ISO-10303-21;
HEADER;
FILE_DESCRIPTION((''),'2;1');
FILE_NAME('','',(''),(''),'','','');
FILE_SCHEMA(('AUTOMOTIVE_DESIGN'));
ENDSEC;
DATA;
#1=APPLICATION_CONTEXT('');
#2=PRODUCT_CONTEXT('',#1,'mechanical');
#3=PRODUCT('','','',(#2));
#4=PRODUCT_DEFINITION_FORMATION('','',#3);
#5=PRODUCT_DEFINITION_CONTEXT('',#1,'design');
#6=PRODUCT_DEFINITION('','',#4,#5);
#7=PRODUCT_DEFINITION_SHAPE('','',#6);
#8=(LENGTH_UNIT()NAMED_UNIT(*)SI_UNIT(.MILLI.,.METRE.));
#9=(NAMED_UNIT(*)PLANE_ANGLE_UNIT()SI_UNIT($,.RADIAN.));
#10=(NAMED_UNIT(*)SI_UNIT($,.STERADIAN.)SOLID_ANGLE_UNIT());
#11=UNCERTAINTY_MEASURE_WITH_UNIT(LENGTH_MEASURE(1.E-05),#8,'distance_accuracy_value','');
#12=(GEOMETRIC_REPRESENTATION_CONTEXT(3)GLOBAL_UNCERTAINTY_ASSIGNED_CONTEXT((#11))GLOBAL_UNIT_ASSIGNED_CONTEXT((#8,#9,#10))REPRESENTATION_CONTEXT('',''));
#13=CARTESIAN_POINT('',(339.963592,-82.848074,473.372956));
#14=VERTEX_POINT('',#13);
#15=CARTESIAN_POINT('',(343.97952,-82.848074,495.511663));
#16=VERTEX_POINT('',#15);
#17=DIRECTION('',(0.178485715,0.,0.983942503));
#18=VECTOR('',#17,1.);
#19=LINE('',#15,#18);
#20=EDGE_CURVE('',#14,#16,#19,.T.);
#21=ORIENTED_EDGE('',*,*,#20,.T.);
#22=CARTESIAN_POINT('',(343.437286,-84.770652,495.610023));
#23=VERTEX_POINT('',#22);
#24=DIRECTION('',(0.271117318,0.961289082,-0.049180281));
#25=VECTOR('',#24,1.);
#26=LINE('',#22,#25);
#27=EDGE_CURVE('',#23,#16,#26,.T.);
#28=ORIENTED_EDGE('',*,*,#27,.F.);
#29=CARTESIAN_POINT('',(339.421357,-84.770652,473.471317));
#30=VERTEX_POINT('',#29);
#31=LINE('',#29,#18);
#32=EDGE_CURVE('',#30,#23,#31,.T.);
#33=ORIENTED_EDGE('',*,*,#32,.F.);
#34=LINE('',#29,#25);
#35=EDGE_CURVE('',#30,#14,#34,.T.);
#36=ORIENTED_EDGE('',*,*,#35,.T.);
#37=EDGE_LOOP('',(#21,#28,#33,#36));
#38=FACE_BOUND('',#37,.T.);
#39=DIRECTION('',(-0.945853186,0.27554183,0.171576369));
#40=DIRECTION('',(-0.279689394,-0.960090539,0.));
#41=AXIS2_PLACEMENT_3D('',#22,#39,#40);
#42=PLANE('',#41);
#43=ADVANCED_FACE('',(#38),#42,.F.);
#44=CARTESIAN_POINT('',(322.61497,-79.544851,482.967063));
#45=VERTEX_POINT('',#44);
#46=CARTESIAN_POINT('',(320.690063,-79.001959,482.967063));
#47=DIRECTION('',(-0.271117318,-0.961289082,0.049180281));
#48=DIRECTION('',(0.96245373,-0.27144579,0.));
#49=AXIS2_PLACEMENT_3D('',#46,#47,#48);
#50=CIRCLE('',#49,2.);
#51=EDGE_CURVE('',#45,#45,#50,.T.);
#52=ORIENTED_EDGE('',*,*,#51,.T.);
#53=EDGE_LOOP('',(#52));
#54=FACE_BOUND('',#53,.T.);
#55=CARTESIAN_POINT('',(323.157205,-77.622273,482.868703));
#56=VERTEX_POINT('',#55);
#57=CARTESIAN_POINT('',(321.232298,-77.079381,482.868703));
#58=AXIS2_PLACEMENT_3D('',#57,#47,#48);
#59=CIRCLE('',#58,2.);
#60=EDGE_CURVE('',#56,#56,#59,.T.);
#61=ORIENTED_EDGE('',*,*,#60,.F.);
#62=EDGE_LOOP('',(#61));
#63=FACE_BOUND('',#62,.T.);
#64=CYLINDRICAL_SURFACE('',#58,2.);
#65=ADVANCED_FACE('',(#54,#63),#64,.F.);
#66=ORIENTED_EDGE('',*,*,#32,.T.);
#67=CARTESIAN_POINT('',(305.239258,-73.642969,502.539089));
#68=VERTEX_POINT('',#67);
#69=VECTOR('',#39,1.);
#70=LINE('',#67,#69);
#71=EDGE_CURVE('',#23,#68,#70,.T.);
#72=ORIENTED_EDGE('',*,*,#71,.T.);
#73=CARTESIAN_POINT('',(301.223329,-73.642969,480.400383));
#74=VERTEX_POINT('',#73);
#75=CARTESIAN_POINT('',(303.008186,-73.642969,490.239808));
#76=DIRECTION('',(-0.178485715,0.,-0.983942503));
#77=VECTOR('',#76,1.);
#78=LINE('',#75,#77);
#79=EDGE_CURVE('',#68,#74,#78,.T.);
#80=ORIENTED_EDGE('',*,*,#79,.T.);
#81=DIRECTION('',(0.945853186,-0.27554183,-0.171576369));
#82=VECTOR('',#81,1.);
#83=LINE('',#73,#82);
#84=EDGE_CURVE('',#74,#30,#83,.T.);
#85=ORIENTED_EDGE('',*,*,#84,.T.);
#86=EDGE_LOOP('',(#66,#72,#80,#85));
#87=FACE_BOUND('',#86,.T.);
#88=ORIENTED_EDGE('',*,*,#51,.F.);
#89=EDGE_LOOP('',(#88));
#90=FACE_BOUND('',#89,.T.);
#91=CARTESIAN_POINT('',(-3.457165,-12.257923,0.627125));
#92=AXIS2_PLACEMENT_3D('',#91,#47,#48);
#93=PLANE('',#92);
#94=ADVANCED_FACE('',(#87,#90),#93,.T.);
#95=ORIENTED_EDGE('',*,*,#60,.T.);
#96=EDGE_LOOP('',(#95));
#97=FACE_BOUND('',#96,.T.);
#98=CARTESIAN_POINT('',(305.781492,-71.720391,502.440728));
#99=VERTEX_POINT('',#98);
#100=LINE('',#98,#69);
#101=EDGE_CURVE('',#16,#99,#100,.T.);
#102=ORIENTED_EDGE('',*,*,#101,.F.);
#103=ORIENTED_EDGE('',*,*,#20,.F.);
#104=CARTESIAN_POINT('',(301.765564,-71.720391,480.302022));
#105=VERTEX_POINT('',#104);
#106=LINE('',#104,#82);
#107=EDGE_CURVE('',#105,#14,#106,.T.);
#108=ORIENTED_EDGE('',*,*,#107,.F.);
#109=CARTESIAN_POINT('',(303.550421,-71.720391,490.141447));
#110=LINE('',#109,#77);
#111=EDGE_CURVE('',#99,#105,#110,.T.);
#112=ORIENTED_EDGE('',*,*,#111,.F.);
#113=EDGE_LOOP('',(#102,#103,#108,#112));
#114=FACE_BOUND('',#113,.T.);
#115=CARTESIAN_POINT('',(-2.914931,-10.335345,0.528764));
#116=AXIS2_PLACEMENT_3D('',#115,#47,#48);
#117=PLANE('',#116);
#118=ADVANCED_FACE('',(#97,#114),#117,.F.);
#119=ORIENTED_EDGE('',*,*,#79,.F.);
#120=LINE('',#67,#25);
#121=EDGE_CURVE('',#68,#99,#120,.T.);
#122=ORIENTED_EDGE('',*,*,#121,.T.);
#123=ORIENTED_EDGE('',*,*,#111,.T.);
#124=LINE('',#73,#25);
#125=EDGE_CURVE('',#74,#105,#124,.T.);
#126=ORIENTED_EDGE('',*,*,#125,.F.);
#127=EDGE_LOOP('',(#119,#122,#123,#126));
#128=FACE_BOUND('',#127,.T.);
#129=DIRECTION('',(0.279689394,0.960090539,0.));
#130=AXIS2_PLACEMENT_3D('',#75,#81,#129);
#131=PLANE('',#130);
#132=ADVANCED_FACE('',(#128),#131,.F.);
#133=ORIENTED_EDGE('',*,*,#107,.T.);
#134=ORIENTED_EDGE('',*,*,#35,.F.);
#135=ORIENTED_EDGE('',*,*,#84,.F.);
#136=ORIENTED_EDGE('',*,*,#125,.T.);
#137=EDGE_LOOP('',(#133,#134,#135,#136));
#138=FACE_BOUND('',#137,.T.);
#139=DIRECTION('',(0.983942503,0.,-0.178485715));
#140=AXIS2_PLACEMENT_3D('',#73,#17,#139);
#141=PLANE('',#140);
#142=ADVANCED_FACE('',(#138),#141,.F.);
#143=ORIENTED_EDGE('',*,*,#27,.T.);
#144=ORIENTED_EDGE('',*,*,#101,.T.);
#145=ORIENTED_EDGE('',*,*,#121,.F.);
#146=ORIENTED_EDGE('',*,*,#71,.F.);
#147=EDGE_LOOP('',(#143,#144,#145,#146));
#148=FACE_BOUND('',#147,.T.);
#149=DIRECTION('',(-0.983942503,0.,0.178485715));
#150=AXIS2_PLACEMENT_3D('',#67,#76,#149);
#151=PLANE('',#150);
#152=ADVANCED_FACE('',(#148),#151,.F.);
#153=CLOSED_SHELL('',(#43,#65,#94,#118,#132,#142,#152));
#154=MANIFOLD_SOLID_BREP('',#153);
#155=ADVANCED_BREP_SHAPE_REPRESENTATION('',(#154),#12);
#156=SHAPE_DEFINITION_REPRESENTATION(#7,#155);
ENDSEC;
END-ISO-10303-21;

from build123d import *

# Parameters (mm, degrees)
BOSS_EXTRUDE1_DEPTH = 2
SKETCH2_R           = 2
CUT_EXTRUDE1_DEPTH  = 2


with BuildPart() as part:
    # Sketch1 → Boss-Extrude1 (new body)
    with BuildSketch(Plane(origin=(-2.914930538, -10.335344565, 0.528764089), x_dir=(0.96254631, -0.270763199, 0.013852451), z_dir=(-0.271117318, -0.961289082, 0.049180281))):
        Polygon((316.535932849, 476.010199203), (356.220286187, 468.521626673), (358.074594008, 478.348199957), (360.392478785, 490.631416562), (320.708125447, 498.119989092), (318.39024067, 485.836772487), align=None)
    extrude(amount=BOSS_EXTRUDE1_DEPTH)

    # Sketch2 → Cut-Extrude1 (cut)
    with BuildSketch(Plane(origin=(-3.457165175, -12.257922729, 0.627124651), x_dir=(0.96254631, -0.270763199, 0.013852451), z_dir=(-0.271117318, -0.961289082, 0.049180281))):
        with Locations((336.760137712, 478.299715406)):
            Circle(SKETCH2_R)
    extrude(amount=-CUT_EXTRUDE1_DEPTH, mode=Mode.SUBTRACT)


solid = part.part
